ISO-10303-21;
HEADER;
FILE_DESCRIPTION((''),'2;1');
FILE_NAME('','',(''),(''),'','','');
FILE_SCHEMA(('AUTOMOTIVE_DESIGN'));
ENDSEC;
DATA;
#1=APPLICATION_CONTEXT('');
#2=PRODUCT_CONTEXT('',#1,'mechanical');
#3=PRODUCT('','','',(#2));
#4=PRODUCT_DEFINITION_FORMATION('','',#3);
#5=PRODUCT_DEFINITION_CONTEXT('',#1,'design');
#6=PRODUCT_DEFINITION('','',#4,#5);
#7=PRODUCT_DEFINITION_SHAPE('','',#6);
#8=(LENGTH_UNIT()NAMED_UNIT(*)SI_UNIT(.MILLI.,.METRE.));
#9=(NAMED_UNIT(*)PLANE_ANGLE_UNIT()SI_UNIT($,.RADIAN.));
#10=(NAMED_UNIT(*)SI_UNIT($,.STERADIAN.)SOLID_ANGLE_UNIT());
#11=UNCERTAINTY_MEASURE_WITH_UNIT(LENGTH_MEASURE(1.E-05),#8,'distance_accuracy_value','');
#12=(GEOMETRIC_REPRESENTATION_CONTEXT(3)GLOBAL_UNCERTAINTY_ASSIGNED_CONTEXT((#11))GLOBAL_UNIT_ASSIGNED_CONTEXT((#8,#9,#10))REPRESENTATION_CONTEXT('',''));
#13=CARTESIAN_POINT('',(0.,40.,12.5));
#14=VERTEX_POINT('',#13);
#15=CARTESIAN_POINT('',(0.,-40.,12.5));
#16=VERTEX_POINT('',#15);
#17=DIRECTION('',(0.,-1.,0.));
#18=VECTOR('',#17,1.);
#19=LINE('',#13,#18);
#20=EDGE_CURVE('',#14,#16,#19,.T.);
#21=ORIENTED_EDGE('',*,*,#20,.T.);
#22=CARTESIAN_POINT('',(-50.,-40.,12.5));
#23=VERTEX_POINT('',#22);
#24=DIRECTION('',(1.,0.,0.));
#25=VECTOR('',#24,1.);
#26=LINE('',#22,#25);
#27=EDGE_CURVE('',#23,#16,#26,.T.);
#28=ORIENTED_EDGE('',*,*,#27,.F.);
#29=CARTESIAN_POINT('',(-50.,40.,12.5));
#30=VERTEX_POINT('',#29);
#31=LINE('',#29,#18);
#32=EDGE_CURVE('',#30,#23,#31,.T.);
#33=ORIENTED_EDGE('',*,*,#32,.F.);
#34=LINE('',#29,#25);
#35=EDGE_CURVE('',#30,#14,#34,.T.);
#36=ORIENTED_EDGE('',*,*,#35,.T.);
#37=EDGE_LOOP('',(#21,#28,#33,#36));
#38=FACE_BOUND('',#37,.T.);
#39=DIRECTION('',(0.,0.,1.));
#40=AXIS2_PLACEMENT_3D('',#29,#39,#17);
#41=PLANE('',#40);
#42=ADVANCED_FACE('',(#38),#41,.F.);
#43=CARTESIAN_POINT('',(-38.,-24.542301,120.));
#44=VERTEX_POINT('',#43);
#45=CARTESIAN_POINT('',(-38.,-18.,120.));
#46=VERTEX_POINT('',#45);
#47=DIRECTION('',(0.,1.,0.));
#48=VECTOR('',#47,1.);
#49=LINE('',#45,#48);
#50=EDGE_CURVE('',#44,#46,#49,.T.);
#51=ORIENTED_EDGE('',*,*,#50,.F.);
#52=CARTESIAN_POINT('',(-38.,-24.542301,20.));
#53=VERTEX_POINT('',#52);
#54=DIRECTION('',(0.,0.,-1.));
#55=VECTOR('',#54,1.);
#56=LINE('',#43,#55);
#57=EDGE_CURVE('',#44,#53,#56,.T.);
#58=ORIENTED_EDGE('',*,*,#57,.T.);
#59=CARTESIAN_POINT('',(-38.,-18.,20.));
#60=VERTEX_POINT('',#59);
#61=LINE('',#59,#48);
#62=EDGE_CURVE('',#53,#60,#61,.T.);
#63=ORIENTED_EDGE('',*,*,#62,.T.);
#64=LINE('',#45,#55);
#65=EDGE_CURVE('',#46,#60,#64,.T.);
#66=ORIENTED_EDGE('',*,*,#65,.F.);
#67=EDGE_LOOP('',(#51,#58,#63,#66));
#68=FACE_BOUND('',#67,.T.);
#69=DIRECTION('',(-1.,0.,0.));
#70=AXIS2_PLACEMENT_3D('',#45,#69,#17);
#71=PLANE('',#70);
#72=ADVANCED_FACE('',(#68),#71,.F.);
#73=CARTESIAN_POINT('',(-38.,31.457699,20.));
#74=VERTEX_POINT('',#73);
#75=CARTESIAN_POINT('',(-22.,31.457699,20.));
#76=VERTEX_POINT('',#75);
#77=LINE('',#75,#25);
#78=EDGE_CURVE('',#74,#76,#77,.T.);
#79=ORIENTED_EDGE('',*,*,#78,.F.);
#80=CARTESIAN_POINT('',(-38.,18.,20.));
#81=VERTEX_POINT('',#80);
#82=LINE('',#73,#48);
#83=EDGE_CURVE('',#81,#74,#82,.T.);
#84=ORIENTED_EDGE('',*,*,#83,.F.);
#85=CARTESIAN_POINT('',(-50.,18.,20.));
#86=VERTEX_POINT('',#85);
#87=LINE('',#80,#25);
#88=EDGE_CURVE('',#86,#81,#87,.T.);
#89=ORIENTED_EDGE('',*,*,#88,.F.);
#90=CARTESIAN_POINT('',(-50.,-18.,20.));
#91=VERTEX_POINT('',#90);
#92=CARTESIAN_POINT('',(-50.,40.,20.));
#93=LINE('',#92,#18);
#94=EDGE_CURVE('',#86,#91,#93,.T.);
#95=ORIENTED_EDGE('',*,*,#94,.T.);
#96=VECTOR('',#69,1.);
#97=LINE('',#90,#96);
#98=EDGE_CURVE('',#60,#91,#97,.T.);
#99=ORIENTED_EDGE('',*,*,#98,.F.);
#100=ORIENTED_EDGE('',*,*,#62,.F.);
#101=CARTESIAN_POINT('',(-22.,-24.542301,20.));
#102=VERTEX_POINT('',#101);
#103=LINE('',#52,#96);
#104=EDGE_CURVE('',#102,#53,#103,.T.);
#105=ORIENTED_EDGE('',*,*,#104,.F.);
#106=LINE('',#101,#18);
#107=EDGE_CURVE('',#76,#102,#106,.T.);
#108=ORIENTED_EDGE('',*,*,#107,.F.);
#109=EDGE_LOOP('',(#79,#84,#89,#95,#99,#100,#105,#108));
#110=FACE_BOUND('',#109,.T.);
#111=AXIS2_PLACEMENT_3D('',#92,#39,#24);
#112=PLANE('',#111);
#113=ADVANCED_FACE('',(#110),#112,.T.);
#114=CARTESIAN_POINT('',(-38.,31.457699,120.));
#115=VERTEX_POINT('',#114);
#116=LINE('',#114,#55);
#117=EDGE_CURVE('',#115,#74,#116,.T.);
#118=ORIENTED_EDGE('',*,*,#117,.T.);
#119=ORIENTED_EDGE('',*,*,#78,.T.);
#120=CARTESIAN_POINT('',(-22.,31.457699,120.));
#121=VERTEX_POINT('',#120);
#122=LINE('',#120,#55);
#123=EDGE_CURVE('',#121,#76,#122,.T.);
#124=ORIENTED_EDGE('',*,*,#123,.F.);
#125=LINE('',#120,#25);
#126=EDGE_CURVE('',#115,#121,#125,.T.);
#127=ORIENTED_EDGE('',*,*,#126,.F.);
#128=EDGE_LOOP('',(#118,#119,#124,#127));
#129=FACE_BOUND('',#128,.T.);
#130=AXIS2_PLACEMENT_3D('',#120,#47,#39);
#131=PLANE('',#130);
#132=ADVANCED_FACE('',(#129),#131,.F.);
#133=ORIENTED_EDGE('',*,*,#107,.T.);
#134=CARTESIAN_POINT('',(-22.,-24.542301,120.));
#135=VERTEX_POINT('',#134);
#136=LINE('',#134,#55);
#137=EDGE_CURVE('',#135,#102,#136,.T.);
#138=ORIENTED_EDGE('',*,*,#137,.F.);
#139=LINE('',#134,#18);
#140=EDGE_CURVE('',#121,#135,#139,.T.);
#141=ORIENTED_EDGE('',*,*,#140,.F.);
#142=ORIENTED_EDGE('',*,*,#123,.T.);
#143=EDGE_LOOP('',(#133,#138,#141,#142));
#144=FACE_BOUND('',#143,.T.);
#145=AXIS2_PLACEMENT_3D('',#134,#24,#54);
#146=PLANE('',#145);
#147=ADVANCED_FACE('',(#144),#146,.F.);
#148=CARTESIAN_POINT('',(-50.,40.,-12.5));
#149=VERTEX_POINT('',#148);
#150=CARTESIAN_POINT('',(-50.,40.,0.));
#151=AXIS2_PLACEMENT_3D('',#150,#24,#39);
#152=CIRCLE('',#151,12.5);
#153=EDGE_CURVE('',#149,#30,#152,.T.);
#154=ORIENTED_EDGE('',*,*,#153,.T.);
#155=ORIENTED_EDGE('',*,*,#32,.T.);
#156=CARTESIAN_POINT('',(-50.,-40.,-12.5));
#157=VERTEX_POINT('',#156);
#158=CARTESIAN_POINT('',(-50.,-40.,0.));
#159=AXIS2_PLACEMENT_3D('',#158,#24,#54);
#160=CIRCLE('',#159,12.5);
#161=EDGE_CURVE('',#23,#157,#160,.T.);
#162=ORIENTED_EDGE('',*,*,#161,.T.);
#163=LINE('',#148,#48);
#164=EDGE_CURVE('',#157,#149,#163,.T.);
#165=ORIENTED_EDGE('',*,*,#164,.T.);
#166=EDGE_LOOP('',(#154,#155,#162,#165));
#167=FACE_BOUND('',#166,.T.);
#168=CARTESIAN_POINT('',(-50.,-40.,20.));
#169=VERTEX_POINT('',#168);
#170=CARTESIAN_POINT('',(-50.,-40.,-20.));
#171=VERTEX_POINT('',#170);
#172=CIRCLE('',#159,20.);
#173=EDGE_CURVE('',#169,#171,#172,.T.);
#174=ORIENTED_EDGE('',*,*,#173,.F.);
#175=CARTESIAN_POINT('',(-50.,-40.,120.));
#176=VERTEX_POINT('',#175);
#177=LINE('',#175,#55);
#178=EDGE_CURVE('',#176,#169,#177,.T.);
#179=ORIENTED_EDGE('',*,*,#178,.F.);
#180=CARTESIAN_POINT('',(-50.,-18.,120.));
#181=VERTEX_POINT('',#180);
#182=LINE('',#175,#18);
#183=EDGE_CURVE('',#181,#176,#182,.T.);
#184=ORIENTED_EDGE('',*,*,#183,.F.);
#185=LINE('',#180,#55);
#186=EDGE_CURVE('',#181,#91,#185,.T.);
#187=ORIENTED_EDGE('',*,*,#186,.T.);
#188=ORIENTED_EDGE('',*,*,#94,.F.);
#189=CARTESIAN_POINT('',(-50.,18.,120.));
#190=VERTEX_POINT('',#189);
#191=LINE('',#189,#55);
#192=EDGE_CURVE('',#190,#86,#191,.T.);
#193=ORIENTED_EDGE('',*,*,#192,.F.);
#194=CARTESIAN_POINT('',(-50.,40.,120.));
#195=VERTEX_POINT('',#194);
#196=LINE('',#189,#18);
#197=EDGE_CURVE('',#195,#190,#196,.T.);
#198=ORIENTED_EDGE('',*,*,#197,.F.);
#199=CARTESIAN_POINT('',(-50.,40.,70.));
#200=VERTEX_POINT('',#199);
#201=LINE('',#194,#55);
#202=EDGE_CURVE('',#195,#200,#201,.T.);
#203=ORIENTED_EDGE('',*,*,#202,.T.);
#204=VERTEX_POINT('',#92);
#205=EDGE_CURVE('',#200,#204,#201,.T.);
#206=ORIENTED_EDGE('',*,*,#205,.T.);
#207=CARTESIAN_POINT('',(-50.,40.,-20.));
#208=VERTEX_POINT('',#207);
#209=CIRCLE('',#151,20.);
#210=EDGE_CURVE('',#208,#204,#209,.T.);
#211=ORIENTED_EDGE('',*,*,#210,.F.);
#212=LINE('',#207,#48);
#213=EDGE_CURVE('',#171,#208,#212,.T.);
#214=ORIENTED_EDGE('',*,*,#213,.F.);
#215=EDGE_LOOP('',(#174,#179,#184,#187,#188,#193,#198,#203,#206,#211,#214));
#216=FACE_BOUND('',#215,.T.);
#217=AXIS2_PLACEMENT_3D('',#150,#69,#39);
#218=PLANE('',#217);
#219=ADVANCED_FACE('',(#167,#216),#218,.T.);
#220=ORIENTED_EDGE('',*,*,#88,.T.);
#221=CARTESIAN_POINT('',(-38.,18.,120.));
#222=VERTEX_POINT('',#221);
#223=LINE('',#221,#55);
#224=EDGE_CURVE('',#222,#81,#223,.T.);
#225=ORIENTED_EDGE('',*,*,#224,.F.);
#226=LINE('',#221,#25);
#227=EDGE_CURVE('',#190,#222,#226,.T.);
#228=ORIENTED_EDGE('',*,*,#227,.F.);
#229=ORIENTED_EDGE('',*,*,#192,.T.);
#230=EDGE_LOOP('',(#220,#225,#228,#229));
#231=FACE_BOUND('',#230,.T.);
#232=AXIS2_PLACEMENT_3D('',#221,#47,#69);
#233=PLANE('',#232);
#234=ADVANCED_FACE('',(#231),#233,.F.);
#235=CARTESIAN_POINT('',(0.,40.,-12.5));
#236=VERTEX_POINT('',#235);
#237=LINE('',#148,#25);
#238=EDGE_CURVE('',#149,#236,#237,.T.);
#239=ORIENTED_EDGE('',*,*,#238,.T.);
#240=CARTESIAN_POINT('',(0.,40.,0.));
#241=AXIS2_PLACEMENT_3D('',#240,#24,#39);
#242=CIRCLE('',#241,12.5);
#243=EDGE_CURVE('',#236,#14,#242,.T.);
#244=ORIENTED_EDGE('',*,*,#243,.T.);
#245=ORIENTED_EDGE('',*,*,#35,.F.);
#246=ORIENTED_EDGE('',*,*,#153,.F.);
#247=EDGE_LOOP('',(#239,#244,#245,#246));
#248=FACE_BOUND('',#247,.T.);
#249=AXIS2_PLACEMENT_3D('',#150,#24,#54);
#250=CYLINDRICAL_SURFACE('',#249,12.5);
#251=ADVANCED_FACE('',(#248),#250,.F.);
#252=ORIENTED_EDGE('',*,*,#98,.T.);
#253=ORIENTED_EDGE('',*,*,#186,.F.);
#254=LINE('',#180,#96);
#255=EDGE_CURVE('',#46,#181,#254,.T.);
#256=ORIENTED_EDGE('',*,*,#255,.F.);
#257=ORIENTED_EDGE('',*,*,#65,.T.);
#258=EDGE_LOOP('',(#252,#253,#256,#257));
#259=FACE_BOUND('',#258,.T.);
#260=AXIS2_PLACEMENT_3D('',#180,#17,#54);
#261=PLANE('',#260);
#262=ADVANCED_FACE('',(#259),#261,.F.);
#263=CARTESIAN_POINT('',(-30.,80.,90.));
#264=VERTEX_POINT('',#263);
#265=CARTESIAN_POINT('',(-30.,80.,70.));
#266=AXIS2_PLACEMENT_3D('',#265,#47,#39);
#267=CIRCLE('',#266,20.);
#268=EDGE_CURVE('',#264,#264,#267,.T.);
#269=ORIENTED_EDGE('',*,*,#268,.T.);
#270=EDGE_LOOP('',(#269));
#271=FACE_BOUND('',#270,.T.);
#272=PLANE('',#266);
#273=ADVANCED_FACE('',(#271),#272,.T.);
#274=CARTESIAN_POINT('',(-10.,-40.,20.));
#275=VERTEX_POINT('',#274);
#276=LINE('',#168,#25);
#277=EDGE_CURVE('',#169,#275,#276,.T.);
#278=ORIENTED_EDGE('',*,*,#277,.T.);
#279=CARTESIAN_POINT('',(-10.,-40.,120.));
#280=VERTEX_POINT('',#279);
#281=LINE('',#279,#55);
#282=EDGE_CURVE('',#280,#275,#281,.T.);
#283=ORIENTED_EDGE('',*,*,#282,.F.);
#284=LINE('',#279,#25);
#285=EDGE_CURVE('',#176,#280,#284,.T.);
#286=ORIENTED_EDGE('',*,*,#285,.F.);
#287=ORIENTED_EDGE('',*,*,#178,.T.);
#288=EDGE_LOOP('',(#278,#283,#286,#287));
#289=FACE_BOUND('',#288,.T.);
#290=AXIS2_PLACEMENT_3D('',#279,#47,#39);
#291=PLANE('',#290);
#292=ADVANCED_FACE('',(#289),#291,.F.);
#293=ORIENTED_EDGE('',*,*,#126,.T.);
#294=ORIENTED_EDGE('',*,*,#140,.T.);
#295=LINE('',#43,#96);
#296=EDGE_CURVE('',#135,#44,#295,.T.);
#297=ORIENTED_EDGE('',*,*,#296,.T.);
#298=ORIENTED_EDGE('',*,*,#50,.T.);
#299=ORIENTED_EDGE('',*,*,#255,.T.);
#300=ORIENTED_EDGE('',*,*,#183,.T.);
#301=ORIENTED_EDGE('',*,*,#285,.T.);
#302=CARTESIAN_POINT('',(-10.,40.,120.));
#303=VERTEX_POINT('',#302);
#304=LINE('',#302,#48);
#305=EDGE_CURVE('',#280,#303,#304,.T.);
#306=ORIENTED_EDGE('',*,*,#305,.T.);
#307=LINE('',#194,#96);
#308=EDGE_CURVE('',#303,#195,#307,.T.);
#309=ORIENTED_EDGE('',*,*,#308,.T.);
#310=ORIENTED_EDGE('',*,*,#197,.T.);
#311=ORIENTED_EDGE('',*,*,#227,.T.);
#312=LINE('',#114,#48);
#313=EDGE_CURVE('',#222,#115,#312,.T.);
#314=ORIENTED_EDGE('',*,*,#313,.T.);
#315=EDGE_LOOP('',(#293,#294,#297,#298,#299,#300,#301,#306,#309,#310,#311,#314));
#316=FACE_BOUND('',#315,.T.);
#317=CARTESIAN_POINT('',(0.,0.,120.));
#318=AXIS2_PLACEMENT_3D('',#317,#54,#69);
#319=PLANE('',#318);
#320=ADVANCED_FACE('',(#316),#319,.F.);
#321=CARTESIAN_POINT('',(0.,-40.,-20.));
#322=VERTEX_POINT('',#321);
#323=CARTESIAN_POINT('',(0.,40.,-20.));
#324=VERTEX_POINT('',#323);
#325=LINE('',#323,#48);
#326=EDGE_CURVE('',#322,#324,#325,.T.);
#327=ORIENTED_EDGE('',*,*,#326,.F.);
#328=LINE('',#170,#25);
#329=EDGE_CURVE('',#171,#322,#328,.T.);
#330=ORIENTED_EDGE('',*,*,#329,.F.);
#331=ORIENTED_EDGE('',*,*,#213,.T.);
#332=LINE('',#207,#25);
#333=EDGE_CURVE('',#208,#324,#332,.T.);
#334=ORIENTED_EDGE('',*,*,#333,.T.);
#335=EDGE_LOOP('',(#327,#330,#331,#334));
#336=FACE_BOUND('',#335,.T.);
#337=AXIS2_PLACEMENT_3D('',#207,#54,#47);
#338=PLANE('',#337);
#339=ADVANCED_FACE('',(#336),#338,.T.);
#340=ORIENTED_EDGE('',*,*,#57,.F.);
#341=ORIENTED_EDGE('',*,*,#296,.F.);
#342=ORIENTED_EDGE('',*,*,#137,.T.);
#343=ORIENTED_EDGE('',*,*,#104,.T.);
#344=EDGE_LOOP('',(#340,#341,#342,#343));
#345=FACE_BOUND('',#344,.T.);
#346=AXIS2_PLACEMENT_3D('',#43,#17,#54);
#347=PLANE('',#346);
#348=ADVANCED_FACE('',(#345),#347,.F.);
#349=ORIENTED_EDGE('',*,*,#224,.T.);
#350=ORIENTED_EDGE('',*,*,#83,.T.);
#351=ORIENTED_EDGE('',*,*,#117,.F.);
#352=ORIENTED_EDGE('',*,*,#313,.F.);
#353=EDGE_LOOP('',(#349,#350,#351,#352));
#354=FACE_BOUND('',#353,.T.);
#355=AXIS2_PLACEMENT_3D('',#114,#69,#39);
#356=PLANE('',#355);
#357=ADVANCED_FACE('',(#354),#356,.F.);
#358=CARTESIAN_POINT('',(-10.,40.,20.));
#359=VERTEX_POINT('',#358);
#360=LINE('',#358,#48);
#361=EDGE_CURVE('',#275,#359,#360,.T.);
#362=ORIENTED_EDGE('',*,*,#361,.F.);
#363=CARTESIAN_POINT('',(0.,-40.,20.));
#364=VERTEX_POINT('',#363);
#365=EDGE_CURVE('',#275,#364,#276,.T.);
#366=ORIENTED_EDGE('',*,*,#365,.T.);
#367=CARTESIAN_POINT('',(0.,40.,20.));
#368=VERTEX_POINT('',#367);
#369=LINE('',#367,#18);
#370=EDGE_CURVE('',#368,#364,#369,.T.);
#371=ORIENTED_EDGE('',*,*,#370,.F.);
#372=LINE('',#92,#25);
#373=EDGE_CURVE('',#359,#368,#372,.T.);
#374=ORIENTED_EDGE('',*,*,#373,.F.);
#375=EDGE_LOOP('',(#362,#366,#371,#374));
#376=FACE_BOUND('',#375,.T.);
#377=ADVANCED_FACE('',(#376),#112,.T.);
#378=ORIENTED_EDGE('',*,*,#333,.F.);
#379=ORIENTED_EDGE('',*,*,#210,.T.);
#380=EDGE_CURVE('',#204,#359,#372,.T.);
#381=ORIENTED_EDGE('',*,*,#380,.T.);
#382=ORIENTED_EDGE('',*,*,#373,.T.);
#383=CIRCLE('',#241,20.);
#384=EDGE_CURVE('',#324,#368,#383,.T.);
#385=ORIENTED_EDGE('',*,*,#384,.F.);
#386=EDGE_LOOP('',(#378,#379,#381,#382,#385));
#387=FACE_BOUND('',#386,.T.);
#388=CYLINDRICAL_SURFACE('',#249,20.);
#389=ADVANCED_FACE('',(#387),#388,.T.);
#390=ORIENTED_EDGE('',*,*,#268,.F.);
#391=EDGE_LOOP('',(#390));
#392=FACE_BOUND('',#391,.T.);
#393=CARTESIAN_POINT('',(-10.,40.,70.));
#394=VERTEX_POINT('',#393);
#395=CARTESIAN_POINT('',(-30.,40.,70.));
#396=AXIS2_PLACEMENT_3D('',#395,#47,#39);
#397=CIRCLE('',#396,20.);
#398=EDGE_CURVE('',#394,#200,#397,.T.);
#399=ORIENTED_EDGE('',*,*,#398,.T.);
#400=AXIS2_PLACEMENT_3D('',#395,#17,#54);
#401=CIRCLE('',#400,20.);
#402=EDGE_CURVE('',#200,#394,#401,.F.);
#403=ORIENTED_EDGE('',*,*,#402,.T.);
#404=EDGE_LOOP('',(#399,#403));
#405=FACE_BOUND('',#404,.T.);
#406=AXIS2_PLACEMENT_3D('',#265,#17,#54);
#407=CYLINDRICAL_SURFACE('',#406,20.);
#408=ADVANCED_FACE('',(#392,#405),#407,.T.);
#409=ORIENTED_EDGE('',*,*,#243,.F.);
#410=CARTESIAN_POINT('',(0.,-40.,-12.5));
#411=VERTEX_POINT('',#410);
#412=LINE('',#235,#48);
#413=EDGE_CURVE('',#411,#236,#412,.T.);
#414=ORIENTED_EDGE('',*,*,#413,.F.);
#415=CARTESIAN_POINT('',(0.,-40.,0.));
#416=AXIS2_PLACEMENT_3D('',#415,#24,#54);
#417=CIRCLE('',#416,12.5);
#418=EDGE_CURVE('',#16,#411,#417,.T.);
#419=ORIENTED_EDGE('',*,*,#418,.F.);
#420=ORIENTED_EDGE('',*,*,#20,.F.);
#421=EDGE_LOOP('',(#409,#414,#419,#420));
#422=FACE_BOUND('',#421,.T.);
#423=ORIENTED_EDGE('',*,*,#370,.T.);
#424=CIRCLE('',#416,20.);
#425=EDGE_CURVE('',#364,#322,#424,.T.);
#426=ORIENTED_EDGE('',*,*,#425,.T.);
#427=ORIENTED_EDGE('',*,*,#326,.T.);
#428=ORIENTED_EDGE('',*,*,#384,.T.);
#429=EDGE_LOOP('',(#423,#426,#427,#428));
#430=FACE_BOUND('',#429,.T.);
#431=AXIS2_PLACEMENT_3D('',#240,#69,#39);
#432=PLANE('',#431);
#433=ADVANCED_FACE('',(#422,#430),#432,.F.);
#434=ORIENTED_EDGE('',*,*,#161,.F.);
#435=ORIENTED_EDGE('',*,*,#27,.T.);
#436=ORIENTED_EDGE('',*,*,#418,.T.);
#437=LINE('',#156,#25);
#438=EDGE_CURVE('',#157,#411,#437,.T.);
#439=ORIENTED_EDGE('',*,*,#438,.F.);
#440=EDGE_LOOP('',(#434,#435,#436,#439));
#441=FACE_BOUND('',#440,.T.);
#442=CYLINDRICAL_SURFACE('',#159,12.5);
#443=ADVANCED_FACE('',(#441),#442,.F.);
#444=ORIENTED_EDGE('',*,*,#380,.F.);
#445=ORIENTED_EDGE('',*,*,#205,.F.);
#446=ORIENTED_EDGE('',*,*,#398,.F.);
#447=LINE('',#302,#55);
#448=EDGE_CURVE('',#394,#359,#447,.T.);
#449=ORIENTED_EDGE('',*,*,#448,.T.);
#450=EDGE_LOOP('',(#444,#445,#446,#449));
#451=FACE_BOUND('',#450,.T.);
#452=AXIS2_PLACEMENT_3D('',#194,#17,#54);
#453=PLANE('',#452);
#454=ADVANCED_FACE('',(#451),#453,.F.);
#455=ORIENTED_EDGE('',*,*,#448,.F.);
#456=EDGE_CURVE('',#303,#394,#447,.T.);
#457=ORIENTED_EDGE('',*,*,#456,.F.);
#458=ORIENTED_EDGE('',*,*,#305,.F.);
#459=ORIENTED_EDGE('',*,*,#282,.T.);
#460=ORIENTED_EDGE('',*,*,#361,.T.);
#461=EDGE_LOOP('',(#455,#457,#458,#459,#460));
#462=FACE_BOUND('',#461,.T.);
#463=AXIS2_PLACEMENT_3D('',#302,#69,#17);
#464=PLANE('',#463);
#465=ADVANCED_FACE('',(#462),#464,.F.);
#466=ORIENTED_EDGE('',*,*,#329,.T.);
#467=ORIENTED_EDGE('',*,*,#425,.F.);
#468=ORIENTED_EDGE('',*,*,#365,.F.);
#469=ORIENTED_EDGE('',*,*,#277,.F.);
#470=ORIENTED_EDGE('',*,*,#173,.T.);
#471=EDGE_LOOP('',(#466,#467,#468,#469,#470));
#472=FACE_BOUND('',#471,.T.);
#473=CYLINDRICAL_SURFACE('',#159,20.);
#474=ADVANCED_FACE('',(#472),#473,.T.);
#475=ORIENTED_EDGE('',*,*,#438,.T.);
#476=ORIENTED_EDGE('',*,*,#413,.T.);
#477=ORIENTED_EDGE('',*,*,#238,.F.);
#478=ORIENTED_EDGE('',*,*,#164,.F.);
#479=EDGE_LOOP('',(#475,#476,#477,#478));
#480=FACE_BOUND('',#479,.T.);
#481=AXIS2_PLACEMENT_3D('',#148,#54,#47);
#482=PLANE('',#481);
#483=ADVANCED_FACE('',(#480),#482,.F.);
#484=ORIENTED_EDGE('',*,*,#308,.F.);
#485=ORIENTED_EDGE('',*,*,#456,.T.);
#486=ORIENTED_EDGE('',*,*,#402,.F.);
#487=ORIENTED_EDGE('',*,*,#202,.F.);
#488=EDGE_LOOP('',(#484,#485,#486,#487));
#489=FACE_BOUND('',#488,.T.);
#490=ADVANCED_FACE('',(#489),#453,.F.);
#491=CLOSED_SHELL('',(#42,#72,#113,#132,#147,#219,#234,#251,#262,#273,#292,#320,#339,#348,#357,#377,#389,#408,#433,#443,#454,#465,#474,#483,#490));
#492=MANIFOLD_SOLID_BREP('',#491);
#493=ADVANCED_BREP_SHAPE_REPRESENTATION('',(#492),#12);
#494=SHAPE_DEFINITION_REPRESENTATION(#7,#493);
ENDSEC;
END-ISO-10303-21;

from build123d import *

# Parameters (mm, degrees)
BOSS_EXTRUDE1_DEPTH = 50
BOSS_EXTRUDE2_DEPTH = 100
SKETCH4_R           = 20
BOSS_EXTRUDE3_DEPTH = 40


with BuildPart() as part:
    # Sketch2 → Boss-Extrude1 (new body)
    with BuildSketch(Plane(origin=(0, 0, 0), x_dir=(0, 0, -1), z_dir=(1, 0, 0))):
        with BuildLine():
            Line((-20, 40), (-20, -40))
            ThreePointArc((-20, -40), (0, -60), (20, -40))
            Line((20, -40), (20, 40))
            ThreePointArc((20, 40), (0, 60), (-20, 40))
        make_face()
        with BuildLine():
            Line((-12.5, 40), (-12.5, -40))
            ThreePointArc((-12.5, -40), (0, -52.5), (12.5, -40))
            Line((12.5, -40), (12.5, 40))
            ThreePointArc((12.5, 40), (0, 52.5), (-12.5, 40))
        make_face(mode=Mode.SUBTRACT)
    extrude(amount=-BOSS_EXTRUDE1_DEPTH)

    # Sketch3 → Boss-Extrude2 (add)
    with BuildSketch(Plane.XY.offset(20)):
        Polygon((-50, 40), (-10, 40), (-10, -40), (-50, -40), (-50, -18), (-38, -18), (-38, -24.542301432), (-22, -24.542301432), (-22, 31.457698568), (-38, 31.457698568), (-38, 18), (-50, 18), align=None)
    extrude(amount=BOSS_EXTRUDE2_DEPTH)

    # Sketch4 → Boss-Extrude3 (add)
    with BuildSketch(Plane(origin=(0, 40, 0), x_dir=(1, 0, 0), z_dir=(0, 1, 0))):
        with Locations(Location((-30, -70, 0), (0, 0, 180))):
            Circle(SKETCH4_R)
    extrude(amount=BOSS_EXTRUDE3_DEPTH)


solid = part.part
